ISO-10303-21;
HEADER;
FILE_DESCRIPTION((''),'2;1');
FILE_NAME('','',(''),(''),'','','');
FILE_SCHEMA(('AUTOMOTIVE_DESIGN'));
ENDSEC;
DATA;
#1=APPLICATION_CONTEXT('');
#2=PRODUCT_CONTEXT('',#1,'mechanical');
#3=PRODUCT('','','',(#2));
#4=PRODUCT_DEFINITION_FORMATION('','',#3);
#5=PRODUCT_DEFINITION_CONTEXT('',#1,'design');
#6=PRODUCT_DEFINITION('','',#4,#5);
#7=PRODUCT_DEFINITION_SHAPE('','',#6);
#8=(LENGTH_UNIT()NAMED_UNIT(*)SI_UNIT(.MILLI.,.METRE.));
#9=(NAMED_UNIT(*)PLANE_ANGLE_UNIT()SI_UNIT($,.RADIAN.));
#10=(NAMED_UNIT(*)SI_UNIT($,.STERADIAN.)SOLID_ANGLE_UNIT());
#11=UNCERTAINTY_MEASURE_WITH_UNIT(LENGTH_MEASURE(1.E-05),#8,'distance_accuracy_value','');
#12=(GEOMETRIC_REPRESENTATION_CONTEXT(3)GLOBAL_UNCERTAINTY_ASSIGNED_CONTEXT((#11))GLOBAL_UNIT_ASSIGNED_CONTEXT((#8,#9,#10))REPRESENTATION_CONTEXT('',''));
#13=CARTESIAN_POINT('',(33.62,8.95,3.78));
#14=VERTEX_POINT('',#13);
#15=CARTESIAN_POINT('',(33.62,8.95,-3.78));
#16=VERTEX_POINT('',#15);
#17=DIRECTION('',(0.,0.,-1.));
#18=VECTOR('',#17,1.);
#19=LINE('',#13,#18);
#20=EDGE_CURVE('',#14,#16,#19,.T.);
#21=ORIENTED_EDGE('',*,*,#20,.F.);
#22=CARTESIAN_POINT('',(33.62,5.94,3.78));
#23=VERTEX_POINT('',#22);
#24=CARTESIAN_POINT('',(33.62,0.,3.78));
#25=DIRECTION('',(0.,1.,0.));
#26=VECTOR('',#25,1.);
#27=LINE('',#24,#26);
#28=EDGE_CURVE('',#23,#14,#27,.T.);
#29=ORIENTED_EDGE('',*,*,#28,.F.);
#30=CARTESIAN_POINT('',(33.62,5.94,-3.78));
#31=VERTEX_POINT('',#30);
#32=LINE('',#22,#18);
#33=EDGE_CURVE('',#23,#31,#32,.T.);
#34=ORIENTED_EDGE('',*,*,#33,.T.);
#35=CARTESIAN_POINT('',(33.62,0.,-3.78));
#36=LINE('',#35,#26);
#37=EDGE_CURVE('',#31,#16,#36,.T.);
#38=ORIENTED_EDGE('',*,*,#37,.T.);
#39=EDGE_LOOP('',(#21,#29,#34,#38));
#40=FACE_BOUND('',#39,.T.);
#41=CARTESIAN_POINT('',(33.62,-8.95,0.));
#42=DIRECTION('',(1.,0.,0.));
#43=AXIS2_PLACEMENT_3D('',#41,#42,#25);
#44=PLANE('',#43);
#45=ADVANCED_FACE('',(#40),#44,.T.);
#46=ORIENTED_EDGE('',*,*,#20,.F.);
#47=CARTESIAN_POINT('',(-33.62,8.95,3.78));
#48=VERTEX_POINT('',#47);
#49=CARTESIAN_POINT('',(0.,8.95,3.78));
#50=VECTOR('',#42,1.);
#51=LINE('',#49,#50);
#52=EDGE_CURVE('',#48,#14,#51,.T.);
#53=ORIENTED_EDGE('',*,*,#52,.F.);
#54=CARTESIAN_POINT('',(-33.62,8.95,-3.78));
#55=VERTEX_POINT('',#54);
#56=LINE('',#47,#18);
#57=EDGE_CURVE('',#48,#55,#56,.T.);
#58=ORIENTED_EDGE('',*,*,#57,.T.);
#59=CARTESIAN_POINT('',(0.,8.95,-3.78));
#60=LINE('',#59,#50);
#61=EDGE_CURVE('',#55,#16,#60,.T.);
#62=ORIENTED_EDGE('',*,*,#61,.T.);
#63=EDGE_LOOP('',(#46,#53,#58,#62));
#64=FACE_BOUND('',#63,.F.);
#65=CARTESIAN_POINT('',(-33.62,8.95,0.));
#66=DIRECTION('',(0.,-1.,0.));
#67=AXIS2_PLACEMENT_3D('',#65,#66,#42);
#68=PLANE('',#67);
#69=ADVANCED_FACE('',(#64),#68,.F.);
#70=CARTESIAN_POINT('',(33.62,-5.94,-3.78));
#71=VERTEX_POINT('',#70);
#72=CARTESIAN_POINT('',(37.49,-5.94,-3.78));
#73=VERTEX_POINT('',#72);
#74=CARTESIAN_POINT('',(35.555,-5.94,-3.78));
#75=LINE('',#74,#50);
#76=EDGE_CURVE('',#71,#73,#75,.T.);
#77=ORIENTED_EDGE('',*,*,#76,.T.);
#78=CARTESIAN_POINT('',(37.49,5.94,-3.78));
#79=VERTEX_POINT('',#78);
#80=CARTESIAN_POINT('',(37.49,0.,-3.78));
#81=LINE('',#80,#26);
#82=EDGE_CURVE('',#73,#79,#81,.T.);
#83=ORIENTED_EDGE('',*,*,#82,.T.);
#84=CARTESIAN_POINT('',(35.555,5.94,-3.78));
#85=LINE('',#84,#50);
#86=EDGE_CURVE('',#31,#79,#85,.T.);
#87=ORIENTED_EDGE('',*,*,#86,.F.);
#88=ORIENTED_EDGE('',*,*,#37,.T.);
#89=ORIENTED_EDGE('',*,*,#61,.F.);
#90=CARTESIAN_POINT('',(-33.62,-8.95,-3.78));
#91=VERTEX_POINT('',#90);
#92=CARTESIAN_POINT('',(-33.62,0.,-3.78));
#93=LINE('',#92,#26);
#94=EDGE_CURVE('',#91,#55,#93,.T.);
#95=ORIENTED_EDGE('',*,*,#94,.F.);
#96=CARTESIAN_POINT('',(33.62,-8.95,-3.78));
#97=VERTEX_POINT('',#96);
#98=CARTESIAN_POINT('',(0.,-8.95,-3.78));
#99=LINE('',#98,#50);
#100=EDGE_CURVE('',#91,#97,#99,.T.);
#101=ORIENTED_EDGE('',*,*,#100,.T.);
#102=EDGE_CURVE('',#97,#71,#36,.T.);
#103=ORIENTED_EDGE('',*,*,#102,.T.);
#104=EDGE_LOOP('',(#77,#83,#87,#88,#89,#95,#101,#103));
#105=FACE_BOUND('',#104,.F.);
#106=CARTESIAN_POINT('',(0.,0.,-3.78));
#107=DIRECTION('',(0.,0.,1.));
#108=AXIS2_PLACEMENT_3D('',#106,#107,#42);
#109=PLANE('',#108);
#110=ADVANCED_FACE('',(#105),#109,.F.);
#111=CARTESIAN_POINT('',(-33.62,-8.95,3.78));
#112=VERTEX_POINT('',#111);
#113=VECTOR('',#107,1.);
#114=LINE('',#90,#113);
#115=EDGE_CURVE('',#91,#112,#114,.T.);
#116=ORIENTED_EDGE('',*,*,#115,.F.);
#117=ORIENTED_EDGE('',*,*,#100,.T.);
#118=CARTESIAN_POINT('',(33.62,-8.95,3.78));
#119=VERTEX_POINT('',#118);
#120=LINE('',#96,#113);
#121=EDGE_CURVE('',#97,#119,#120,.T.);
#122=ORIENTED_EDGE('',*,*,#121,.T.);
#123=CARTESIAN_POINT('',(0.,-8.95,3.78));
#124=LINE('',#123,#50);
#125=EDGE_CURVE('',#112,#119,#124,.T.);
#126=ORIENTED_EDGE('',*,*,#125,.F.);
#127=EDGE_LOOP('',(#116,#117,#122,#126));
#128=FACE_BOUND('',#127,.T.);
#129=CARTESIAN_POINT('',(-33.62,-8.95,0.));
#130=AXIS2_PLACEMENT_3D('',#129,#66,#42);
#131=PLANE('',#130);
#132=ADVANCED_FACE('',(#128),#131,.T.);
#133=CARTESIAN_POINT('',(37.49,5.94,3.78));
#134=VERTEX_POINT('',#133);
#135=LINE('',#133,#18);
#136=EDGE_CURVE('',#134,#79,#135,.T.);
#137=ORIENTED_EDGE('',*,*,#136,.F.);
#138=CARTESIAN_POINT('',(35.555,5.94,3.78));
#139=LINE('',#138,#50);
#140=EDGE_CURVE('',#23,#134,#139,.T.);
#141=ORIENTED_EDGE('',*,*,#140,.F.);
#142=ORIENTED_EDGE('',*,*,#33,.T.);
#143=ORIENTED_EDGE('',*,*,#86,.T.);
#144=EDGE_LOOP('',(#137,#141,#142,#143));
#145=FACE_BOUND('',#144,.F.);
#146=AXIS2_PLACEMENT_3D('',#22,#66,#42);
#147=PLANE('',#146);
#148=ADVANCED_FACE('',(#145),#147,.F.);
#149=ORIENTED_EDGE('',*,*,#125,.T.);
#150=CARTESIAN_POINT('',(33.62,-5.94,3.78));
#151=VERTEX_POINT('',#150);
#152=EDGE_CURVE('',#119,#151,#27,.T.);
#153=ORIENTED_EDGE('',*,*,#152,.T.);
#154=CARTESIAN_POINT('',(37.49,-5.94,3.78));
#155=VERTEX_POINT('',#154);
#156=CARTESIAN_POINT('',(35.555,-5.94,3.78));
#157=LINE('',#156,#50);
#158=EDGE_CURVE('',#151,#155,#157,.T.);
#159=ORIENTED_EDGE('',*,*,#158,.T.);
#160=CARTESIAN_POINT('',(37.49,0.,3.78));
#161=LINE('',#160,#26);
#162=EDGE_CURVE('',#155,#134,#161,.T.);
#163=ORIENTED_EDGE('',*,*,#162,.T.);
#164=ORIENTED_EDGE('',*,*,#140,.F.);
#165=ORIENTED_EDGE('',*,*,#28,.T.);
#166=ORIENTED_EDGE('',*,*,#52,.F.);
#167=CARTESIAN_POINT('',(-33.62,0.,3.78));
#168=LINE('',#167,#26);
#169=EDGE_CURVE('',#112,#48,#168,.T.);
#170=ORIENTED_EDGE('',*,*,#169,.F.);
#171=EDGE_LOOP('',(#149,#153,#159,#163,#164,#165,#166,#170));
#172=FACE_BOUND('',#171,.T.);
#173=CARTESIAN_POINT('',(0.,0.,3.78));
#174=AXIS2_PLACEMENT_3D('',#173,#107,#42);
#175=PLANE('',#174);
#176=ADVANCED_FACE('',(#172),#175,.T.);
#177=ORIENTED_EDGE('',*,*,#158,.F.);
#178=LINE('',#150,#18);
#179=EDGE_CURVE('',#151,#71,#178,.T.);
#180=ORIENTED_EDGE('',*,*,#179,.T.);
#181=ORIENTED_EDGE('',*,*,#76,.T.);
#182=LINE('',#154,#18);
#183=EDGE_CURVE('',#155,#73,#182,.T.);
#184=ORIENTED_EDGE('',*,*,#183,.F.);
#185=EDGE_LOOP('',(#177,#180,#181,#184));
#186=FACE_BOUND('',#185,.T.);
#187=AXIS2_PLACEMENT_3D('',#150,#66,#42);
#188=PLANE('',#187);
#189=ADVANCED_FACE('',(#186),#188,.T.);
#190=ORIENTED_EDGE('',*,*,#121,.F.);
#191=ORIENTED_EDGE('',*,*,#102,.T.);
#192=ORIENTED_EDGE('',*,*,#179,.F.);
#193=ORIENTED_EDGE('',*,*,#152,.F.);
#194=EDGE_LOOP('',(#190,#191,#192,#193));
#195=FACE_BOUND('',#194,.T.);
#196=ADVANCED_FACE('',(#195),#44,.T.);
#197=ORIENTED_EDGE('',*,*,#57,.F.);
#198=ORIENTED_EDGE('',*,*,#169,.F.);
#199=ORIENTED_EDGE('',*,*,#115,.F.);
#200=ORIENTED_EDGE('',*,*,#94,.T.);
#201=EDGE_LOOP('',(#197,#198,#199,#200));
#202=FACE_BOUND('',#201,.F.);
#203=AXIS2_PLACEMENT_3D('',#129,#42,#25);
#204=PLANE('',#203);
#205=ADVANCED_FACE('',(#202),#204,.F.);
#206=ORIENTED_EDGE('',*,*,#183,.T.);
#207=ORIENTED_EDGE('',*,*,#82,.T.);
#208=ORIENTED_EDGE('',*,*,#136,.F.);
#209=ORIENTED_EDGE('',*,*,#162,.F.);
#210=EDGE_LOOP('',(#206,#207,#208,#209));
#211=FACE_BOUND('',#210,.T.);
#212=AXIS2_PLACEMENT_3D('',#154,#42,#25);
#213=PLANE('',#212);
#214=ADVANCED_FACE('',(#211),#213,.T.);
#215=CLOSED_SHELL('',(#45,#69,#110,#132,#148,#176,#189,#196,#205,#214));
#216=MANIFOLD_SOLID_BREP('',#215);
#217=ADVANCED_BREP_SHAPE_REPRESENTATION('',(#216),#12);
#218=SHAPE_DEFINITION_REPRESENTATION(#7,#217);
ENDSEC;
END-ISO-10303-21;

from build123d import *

# Parameters (mm, degrees)
F0_W     = 67.24
F0_H     = 17.9
F1_DEPTH = 3.78
F2_W     = 3.87
F2_H     = 11.88
F3_DEPTH = 7.56


with BuildPart() as f1:
    # F0 (on Top) → F1 (new body, symmetric)
    with BuildSketch(Plane.XY):
        Rectangle(F0_W, F0_H)
    extrude(amount=F1_DEPTH, both=True)

    # F2 (on face) → F3 (join, through all)
    with BuildSketch(Plane.XY.offset(3.78)):
        with Locations((35.555, 0)):
            Rectangle(F2_W, F2_H)
    extrude(amount=-F3_DEPTH)


solid = f1.part
